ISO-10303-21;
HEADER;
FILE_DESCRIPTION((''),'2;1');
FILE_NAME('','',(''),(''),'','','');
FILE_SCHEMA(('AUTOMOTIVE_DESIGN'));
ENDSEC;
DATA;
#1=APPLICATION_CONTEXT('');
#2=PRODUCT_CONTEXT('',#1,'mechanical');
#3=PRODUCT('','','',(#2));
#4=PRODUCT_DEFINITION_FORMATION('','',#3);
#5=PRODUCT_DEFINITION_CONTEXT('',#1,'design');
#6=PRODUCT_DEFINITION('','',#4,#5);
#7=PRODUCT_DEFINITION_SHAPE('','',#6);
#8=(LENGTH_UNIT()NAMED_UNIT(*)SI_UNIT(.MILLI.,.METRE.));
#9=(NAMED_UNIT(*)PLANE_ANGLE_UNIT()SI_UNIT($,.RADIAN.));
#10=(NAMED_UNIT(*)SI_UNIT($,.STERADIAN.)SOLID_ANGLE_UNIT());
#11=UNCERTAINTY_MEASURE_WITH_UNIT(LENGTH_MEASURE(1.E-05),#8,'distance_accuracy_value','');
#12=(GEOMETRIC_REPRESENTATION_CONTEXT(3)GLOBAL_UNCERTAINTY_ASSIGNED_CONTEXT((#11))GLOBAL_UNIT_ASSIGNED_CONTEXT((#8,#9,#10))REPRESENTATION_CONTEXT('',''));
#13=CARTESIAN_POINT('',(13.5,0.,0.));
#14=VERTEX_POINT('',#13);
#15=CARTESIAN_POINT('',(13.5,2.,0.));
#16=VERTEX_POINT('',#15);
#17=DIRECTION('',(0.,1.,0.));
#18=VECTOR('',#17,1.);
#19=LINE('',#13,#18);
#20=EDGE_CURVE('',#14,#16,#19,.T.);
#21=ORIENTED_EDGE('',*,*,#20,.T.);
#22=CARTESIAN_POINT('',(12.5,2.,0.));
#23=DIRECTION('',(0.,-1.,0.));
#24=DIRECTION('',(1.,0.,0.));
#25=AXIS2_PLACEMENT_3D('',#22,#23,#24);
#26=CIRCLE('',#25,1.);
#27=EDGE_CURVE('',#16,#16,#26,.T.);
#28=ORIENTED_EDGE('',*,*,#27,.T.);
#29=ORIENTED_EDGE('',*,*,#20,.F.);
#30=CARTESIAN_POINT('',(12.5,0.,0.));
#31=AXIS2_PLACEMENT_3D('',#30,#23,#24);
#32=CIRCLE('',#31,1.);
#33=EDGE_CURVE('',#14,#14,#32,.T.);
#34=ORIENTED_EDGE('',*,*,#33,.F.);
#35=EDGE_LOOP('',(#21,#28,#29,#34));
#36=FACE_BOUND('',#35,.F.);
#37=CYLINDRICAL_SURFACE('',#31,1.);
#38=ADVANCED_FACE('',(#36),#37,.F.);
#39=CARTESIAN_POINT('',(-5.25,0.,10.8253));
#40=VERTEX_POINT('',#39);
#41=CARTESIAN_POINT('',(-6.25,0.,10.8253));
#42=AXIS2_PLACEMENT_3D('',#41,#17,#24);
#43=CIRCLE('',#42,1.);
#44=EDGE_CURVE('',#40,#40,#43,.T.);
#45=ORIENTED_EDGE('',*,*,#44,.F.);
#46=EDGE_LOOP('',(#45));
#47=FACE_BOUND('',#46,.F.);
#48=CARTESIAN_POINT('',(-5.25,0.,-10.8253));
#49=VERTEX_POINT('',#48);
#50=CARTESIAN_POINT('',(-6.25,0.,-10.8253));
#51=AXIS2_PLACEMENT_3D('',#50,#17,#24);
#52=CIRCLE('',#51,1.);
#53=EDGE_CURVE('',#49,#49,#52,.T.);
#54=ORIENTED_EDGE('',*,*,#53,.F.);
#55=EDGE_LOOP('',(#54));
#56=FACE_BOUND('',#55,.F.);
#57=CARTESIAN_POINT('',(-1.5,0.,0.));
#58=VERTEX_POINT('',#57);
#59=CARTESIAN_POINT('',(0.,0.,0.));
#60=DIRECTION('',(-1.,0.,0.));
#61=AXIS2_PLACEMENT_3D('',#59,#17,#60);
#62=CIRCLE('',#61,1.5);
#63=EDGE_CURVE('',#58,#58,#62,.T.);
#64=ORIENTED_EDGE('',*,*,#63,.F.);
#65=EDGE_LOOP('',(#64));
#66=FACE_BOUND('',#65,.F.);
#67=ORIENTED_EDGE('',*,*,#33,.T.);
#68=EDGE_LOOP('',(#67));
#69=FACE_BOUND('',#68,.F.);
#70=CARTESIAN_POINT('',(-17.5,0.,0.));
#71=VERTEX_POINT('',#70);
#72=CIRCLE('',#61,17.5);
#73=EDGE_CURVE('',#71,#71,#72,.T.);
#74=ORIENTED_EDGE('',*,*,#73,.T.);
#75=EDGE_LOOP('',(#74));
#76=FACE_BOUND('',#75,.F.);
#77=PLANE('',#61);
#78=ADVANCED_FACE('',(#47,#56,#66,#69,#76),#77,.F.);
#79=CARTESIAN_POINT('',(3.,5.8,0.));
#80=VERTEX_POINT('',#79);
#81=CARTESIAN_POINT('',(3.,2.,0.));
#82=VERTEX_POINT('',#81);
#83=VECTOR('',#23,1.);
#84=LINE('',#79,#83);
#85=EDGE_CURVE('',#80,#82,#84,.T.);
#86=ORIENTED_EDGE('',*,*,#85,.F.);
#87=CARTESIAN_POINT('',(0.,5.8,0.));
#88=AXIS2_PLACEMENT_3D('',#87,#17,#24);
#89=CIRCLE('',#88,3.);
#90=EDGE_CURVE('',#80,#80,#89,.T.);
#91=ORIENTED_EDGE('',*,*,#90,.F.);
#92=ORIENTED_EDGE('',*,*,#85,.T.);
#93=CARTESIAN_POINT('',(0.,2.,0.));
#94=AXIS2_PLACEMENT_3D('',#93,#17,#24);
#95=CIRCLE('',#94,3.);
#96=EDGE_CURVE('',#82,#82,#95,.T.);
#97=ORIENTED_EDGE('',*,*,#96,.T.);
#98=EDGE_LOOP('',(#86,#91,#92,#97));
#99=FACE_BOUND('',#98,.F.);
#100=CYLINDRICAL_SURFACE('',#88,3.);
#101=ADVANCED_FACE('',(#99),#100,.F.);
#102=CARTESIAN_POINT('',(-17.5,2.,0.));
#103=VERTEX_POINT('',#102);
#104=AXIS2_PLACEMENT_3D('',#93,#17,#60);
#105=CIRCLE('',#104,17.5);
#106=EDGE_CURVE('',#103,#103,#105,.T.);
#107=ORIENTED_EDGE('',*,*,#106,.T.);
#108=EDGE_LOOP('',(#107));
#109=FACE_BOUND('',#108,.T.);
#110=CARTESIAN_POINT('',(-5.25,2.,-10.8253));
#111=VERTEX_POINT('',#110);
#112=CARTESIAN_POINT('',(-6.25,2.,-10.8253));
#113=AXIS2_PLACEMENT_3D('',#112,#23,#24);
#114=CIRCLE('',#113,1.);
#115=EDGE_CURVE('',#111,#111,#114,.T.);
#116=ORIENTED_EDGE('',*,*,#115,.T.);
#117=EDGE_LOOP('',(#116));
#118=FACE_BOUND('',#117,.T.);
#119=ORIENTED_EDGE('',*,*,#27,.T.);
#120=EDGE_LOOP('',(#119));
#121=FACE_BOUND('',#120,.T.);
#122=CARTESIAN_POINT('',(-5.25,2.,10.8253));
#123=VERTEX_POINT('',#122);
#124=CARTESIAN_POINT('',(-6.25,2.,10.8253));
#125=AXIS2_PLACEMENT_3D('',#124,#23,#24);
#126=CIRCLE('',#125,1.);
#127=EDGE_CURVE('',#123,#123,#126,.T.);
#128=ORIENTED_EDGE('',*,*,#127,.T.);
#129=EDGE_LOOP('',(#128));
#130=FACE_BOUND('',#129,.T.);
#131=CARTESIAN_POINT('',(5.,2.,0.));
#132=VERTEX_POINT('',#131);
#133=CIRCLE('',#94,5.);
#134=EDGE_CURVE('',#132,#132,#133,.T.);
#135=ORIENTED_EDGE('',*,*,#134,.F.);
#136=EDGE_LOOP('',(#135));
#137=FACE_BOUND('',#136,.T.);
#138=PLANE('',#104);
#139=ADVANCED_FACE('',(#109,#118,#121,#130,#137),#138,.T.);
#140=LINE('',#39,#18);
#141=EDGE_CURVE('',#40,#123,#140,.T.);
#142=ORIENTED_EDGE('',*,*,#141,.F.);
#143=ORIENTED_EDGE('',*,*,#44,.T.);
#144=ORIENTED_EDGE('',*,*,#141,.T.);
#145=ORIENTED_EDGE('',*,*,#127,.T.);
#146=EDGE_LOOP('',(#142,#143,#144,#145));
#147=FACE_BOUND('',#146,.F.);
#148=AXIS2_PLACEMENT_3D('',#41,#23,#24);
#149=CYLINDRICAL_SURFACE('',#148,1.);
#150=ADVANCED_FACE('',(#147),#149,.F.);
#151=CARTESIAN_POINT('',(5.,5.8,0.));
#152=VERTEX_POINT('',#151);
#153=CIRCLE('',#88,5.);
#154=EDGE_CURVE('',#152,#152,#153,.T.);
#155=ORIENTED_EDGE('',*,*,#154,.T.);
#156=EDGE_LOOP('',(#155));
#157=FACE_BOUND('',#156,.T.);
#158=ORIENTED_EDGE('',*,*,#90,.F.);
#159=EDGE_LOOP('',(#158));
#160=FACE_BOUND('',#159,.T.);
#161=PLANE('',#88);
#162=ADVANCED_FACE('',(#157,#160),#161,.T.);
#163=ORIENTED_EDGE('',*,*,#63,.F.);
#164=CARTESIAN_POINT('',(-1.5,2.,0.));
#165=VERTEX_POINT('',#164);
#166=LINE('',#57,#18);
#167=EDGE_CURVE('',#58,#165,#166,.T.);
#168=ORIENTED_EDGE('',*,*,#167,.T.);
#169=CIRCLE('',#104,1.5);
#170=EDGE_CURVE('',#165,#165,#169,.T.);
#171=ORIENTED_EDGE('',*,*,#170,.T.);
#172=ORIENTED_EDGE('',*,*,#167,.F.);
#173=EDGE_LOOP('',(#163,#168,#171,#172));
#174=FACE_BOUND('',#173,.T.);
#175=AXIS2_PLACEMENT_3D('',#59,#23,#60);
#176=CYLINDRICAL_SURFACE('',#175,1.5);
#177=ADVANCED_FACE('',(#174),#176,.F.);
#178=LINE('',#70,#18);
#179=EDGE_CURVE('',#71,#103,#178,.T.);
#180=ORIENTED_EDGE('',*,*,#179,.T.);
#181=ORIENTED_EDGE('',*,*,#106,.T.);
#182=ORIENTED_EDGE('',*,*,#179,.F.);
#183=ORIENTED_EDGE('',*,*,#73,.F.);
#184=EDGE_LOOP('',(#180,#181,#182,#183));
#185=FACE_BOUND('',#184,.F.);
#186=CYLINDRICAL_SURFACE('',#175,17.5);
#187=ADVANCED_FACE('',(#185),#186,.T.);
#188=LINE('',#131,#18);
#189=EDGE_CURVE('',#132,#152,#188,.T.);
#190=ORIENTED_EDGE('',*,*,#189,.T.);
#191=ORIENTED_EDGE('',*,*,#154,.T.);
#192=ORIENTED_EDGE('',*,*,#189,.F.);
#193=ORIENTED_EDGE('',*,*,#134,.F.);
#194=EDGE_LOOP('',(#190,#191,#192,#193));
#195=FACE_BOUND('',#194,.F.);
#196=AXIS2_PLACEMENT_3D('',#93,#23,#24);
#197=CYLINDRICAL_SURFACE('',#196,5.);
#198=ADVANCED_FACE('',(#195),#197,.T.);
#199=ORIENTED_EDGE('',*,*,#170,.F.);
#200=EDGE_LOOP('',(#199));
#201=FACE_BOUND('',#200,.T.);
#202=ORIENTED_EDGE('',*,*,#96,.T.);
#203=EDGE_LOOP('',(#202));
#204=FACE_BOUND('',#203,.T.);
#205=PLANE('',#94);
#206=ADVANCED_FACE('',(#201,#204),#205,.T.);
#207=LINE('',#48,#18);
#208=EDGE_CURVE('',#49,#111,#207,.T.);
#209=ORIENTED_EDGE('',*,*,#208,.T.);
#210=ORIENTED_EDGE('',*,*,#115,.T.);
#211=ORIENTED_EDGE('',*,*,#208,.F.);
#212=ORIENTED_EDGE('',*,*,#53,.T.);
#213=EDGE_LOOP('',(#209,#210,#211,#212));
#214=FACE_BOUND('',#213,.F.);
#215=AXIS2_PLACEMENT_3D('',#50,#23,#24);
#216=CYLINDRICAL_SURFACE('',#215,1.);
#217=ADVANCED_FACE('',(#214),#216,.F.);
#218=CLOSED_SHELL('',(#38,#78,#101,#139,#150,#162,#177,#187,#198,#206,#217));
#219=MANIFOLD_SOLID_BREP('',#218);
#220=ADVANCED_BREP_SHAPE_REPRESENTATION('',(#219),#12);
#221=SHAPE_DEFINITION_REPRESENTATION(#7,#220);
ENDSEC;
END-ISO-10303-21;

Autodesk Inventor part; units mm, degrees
ref_plane "YZ Plane" through (0, 0, 0) normal (1, 0, 0) x (0, 1, 0)
ref_plane "XZ Plane" through (0, 0, 0) normal (0, 1, 0) x (-1, 0, 0)
ref_plane "XY Plane" through (0, 0, 0) normal (0, 0, 1) x (1, 0, 0)
sketch "Sketch1" plane through (0, 0, 0) normal (0, 1, 0) x (-1, 0, 0)
  circle A0 centre (0, 0) radius 17.5
  circle A1 centre (0, 0) radius 1.5
  dimension "d0" = 35
  dimension "d1" = 3
extrude "Extrusion1" add sketch "Sketch1" along normal blind 2
sketch "Sketch2" plane through (0, 2, 0) normal (0, 1, 0) x (1, 0, 0)
  circle A0 centre (0, 0) radius 17.5 projected
  circle A1 centre (0, 0) radius 5
  dimension "d4" = 10
extrude "Extrusion2" add sketch "Sketch2" along normal blind 3.8 contours A1
sketch "Sketch3" plane through (0, 5.8, 0) normal (0, 1, 0) x (1, 0, 0)
  circle A0 centre (0, 0) radius 5 projected
  circle A1 centre (0, 0) radius 3
  dimension "d7" = 6
extrude "Extrusion3" cut sketch "Sketch3" against normal blind 3.8 contours A1
sketch "Sketch4" plane through (0, 0, 0) normal (0, -1, 0) x (1, 0, 0)
  circle A0 centre (0, 0) radius 17.5 projected
  circle A1 centre (12.5, 0) radius 1
  line L0 (0, 0) -> (-6.25, 10.8253)
  line L1 (0, 0) -> (12.5, 0) construction
  line L2 (0, 0) -> (-6.25, -10.8253)
  line L3 (0, 0) -> (12.5, 0) construction
  circle A2 centre (-6.25, 10.8253) radius 1
  circle A3 centre (-6.25, -10.8253) radius 1
  dimension "d11" = 2
  dimension "d12" = 120
  dimension "d13" = 120
  dimension "d14" = 2
  dimension "d15" = 2
extrude "Extrusion4" cut sketch "Sketch4" against normal blind 3.8 contours A1 | A2 | A3
properties part number "servo_paka_dolu"
